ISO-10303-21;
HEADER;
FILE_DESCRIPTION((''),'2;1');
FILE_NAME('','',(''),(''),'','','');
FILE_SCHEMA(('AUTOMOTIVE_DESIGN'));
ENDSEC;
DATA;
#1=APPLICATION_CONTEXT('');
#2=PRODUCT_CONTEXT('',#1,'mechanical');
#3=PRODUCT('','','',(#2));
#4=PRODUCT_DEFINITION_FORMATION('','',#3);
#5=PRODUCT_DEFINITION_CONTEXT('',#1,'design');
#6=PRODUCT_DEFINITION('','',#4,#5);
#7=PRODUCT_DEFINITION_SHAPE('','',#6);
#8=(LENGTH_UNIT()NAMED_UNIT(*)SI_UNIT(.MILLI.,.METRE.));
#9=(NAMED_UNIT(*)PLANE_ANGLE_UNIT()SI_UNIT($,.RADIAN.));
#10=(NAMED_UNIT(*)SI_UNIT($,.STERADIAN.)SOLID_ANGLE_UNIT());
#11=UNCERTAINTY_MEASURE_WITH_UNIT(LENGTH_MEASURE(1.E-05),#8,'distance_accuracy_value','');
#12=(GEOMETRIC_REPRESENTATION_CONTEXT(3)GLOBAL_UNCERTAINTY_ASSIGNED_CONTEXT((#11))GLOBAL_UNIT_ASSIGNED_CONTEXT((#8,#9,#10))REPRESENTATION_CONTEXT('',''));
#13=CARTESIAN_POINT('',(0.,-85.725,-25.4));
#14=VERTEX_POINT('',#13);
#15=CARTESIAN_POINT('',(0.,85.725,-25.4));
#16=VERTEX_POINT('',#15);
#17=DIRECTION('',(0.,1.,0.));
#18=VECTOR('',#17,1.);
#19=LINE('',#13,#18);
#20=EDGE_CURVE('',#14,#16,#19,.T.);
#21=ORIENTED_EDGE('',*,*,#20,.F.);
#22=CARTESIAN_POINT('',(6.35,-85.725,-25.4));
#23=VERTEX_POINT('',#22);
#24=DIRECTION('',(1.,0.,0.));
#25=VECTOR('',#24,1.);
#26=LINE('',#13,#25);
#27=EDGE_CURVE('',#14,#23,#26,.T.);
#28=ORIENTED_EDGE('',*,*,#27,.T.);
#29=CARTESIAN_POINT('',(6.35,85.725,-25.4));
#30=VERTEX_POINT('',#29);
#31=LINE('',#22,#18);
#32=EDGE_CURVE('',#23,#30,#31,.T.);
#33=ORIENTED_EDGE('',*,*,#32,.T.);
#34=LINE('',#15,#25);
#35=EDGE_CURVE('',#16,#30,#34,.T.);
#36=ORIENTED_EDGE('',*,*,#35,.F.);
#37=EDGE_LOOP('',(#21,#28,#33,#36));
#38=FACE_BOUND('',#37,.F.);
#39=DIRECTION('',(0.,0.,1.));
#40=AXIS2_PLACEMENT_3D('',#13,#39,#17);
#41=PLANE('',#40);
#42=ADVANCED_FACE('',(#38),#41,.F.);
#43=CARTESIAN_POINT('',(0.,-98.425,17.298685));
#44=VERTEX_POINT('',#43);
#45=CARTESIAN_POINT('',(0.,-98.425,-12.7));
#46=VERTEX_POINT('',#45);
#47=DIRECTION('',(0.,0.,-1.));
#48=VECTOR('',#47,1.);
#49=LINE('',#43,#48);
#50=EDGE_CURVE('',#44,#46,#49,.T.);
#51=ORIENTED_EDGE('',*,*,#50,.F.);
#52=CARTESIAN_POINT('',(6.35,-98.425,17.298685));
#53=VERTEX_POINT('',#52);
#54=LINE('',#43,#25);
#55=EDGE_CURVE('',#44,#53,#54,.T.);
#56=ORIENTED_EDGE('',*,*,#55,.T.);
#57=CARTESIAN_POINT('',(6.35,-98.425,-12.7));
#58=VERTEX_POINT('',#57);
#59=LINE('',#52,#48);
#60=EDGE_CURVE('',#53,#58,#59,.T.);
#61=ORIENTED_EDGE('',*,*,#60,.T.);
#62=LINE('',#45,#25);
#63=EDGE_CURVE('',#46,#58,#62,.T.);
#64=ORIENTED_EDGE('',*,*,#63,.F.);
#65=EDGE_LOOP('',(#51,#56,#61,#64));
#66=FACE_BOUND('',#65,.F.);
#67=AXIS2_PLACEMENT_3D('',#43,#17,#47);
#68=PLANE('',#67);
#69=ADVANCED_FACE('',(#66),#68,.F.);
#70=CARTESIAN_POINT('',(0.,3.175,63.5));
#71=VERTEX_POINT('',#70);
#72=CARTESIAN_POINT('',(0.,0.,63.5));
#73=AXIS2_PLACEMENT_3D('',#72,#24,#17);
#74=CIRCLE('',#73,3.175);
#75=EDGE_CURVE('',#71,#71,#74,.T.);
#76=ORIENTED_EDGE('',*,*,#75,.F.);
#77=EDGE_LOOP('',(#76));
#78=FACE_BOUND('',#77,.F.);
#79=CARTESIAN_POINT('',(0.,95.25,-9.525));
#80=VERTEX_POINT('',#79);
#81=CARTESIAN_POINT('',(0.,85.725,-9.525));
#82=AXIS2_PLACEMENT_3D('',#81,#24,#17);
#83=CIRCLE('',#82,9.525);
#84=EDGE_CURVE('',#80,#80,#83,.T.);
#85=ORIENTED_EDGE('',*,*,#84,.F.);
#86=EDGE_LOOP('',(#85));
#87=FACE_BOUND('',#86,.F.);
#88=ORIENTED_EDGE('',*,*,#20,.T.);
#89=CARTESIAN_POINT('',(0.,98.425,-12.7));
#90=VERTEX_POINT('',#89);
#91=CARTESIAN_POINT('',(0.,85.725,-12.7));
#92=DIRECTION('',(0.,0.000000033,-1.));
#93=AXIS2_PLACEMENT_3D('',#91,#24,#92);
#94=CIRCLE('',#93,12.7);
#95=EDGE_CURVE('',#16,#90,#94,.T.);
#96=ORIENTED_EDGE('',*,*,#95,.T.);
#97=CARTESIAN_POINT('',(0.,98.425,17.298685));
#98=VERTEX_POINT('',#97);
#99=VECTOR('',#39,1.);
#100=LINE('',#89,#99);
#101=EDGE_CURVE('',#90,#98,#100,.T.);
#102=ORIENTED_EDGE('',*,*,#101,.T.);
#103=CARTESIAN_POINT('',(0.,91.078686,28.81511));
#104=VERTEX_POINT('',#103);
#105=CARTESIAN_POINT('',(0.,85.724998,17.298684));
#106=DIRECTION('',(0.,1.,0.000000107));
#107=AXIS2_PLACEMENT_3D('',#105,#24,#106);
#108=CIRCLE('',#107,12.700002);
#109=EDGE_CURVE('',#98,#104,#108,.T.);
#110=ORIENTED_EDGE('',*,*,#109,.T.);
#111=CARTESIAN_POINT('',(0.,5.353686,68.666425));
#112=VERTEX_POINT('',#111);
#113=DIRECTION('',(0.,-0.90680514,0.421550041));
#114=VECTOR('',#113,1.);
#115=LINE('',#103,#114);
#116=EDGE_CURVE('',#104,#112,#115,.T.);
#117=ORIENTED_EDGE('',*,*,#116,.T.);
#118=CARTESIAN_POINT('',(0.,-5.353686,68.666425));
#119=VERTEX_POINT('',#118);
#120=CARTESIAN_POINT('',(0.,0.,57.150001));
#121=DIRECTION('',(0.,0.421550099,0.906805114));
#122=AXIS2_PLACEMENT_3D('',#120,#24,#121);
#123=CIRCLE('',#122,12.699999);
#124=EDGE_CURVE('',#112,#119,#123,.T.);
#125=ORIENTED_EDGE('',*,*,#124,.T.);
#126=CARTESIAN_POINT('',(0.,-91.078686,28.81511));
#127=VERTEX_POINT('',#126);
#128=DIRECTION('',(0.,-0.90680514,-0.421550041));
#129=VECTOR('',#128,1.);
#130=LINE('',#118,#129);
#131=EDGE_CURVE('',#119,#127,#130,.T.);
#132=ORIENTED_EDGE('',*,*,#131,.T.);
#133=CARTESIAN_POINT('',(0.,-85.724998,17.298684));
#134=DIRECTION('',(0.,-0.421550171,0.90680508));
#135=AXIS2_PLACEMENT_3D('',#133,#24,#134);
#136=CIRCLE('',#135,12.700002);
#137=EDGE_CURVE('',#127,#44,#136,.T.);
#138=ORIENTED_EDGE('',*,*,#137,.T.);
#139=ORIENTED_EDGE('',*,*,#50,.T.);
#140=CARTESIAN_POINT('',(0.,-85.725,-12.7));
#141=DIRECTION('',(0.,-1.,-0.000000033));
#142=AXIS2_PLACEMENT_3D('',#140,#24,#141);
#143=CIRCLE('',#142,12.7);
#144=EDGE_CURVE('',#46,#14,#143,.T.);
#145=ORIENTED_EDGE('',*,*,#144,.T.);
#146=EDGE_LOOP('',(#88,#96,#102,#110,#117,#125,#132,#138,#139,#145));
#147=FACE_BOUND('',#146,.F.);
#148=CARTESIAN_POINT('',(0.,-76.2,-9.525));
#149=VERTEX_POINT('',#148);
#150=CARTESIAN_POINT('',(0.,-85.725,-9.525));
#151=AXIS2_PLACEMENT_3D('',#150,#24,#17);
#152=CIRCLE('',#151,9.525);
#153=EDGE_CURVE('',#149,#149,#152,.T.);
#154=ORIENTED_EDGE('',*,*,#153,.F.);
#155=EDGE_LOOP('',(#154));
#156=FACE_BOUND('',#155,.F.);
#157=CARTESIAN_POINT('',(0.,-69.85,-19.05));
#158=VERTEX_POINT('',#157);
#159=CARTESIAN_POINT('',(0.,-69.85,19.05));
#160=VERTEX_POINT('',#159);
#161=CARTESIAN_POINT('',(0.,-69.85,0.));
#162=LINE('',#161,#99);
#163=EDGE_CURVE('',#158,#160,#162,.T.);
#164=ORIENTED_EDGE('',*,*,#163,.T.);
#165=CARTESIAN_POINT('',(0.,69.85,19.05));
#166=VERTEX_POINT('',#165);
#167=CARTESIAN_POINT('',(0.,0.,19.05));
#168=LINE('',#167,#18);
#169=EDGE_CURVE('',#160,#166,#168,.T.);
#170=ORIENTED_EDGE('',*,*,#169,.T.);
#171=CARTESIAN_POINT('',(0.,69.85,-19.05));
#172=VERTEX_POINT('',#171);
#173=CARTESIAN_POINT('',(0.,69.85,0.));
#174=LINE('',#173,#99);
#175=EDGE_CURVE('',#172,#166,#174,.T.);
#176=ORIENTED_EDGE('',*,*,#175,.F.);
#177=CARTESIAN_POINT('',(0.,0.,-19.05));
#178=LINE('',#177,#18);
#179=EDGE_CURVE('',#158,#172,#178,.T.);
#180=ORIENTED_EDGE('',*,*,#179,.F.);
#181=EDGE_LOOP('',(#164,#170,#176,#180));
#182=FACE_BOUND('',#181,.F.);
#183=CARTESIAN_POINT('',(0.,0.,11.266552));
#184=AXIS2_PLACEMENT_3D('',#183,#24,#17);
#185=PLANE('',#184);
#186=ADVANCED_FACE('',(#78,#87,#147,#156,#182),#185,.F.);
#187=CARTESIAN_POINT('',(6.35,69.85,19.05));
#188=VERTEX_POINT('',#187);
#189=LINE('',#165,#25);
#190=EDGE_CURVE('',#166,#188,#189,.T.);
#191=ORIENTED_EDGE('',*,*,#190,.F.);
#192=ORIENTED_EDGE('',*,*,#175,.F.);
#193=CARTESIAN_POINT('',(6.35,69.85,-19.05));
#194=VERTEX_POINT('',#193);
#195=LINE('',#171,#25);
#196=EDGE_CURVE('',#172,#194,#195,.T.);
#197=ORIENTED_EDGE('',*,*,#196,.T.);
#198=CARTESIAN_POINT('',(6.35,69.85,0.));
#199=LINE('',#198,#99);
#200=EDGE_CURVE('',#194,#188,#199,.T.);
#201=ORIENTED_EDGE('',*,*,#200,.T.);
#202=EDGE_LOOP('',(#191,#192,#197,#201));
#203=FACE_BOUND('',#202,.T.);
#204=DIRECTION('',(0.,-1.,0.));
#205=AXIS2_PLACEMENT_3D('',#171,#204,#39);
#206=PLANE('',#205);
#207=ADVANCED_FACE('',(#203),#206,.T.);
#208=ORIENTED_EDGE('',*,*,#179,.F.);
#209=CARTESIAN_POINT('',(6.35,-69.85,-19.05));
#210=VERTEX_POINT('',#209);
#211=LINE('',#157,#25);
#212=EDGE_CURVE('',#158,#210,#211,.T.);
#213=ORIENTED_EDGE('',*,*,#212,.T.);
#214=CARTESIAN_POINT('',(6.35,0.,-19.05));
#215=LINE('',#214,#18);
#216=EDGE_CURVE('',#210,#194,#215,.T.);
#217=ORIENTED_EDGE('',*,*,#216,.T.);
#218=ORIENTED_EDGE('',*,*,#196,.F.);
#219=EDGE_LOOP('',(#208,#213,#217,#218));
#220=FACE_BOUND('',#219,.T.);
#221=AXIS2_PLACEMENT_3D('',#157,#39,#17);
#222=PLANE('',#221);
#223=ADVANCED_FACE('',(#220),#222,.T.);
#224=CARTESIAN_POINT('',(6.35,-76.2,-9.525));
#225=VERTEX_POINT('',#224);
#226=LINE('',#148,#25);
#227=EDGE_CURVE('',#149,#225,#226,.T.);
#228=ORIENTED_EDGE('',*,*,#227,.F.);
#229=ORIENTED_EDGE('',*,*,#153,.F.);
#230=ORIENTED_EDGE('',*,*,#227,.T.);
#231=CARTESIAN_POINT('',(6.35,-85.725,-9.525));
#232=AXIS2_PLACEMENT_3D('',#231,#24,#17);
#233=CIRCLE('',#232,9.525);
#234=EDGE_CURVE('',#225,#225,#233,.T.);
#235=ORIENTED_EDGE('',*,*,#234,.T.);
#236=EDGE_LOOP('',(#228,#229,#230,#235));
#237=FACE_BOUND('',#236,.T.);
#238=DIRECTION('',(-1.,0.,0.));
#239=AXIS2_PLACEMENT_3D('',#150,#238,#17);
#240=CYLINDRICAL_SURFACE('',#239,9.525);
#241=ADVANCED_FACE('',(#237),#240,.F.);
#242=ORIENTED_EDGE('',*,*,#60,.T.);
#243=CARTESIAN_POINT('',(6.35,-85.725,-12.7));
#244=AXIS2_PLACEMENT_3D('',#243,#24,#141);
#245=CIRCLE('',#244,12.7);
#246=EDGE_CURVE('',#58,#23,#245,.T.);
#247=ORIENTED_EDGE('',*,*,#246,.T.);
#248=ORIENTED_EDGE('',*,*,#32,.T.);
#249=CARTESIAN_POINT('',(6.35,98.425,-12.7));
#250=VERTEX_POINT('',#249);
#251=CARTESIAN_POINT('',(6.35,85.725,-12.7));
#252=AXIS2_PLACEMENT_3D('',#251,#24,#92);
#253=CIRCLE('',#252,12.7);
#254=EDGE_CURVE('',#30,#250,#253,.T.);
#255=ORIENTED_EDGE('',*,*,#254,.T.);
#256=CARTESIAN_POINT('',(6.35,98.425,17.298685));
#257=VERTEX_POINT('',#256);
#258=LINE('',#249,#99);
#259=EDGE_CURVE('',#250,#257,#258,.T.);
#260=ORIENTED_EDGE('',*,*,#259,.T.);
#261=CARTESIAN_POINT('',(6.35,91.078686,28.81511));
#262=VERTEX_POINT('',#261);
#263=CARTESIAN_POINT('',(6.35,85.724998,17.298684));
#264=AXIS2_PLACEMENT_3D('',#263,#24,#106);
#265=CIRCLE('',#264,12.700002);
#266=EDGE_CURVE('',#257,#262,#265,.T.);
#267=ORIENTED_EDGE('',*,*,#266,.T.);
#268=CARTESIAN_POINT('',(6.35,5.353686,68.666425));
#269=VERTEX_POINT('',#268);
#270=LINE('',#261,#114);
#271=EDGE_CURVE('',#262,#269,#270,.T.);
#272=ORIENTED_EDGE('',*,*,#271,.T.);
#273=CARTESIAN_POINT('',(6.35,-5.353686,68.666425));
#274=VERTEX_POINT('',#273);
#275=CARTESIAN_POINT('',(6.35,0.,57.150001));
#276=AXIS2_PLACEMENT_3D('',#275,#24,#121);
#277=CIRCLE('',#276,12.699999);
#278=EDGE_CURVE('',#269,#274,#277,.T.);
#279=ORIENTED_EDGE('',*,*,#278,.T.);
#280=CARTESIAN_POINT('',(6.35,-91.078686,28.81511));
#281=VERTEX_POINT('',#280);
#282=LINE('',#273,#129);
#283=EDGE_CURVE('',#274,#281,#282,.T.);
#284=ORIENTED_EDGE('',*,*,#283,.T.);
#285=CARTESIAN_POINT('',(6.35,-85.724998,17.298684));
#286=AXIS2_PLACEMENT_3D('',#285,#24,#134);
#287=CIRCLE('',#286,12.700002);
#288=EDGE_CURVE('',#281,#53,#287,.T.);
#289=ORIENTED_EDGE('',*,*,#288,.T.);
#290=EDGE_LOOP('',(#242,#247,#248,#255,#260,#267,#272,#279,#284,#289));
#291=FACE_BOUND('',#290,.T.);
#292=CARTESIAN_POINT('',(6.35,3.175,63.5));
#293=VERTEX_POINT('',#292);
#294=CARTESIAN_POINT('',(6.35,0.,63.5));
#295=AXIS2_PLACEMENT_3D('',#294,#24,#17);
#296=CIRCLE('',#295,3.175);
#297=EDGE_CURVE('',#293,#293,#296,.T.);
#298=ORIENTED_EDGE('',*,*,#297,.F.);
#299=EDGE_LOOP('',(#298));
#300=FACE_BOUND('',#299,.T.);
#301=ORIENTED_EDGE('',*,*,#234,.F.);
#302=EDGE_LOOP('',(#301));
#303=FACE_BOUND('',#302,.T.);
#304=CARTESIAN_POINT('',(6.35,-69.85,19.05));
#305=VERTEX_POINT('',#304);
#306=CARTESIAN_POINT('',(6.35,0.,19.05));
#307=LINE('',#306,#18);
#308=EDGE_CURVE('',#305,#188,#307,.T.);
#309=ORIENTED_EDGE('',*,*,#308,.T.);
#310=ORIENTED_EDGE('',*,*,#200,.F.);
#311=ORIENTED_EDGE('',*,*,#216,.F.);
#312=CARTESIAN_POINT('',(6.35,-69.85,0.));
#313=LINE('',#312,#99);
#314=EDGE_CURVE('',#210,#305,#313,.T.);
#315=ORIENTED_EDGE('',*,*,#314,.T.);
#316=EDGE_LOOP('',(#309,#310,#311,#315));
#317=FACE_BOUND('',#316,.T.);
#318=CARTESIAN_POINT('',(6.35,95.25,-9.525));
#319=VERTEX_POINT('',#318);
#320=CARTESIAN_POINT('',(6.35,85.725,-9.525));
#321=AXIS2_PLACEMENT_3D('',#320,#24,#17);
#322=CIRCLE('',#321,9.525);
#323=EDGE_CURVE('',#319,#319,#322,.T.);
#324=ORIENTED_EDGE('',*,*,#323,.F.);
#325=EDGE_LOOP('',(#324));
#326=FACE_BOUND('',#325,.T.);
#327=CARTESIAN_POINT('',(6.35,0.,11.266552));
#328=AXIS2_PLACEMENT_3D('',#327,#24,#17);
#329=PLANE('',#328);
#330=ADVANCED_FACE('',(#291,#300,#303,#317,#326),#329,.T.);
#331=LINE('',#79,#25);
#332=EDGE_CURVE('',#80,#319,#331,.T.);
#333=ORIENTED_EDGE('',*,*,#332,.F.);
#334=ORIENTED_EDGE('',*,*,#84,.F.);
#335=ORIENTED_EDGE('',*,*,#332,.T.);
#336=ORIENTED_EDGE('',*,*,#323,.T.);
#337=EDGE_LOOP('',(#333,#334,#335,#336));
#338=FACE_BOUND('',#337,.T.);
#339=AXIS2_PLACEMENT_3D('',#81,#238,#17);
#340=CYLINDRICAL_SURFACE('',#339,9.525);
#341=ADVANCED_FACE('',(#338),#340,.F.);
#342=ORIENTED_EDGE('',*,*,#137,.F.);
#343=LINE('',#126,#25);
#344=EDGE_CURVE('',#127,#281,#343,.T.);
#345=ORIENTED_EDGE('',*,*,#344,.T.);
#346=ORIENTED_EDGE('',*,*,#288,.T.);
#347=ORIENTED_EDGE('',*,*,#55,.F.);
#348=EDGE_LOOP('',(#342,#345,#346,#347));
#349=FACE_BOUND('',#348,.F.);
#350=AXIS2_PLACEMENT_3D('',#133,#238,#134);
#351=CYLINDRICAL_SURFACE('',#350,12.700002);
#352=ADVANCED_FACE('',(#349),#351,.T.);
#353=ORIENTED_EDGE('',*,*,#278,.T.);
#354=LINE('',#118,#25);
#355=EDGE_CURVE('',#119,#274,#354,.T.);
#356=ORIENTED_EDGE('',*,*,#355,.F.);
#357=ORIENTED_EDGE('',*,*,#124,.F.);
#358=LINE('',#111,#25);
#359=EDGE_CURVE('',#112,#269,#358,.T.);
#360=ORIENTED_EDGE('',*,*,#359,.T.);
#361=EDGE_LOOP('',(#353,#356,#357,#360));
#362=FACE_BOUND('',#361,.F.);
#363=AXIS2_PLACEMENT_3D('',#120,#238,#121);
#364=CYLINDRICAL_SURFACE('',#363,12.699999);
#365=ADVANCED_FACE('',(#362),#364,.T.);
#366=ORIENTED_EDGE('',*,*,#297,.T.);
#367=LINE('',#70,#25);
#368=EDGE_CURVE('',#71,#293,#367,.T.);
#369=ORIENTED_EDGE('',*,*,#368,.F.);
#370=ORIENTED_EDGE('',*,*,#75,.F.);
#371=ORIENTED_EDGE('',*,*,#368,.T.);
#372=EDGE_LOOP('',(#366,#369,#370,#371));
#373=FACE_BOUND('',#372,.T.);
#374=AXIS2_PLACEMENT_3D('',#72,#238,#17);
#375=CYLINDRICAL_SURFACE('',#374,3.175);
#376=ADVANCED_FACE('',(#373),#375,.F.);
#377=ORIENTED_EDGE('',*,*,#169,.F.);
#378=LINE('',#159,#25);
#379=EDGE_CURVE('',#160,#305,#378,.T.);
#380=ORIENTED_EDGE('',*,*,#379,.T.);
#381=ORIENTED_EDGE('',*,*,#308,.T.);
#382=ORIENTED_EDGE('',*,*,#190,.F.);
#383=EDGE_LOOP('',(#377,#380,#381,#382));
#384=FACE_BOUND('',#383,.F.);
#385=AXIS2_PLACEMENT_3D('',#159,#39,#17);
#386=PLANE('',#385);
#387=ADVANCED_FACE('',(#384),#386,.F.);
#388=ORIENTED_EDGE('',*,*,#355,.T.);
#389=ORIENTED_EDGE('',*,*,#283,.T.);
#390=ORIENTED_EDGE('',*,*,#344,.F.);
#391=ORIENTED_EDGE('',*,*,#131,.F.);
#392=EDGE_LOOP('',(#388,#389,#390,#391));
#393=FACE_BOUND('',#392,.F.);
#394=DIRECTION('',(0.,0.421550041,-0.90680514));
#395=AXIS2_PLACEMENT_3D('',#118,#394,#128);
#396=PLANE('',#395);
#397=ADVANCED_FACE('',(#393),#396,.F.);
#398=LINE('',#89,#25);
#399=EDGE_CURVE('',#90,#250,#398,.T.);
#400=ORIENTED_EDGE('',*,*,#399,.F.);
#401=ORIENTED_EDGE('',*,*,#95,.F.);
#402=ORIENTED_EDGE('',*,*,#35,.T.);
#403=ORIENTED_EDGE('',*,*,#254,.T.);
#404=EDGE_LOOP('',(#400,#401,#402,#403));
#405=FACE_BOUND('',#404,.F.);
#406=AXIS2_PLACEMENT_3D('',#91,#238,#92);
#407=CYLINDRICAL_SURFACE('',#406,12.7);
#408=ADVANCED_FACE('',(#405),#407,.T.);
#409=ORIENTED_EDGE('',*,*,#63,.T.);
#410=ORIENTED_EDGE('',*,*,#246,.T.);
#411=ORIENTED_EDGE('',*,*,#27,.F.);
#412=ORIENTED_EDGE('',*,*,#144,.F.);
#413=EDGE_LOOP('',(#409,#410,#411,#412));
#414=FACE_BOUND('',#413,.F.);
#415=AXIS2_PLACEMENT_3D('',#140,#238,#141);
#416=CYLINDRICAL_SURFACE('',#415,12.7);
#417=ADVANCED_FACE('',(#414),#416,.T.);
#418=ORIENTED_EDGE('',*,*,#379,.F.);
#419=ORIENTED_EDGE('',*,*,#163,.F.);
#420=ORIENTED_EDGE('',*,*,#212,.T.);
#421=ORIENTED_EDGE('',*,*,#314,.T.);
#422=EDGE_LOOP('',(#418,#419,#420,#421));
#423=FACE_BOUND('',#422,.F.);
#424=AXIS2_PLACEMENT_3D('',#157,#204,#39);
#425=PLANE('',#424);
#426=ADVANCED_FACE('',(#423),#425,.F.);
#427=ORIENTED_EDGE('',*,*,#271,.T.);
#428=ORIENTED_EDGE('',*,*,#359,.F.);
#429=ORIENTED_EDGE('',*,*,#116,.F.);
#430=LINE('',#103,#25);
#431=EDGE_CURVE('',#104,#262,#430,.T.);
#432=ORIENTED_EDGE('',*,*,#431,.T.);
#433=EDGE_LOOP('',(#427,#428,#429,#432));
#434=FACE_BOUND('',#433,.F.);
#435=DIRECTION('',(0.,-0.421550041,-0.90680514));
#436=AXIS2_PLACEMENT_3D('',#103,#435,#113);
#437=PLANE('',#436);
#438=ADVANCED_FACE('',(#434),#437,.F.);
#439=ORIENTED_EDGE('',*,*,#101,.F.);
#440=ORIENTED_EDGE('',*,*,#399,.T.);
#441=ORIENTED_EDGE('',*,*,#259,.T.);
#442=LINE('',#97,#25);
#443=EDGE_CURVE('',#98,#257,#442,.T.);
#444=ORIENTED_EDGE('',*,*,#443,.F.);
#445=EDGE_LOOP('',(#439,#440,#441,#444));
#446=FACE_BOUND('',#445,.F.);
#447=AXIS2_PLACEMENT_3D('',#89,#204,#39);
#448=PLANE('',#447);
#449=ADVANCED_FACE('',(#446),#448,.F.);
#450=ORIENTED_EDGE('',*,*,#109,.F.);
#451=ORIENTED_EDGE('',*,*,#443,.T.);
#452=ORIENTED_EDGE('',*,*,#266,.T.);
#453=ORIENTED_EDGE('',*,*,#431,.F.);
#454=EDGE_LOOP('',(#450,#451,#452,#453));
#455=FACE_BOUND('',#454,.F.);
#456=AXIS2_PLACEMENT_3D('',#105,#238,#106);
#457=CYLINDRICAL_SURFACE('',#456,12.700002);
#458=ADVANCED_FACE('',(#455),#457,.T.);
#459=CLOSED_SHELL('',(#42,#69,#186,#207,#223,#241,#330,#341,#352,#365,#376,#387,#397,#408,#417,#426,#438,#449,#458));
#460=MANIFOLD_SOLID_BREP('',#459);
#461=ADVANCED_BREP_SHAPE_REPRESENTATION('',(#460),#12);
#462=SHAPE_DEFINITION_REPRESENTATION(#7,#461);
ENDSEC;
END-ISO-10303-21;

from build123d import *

# Parameters (mm, degrees)
F0_R     = 9.525
F0_W     = 139.7
F0_H     = 38.1
F0_R_2   = 3.175
F1_DEPTH = 6.35


with BuildPart() as f1:
    # F0 (on Right) → F1 (new body)
    with BuildSketch(Plane.YZ):
        with BuildLine():
            Line((-85.725, -25.4), (85.725, -25.4))
            ThreePointArc((85.725, -25.4), (94.705256, -21.680256), (98.425, -12.7))
            Line((98.425, -12.7), (98.425, 17.298685))
            ThreePointArc((98.425, 17.298685), (96.432049, 24.128699), (91.078686, 28.81511))
            Line((91.078686, 28.81511), (5.353686, 68.666425))
            ThreePointArc((5.353686, 68.666425), (0, 69.85), (-5.353686, 68.666425))
            Line((-5.353686, 68.666425), (-91.078686, 28.81511))
            ThreePointArc((-91.078686, 28.81511), (-96.432049, 24.128699), (-98.425, 17.298685))
            Line((-98.425, 17.298685), (-98.425, -12.7))
            ThreePointArc((-98.425, -12.7), (-94.705256, -21.680256), (-85.725, -25.4))
        make_face()
        with Locations((-85.725, -9.525)):
            Circle(F0_R, mode=Mode.SUBTRACT)
        with Locations((85.725, -9.525)):
            Circle(F0_R, mode=Mode.SUBTRACT)
        Rectangle(F0_W, F0_H, mode=Mode.SUBTRACT)
        with Locations((0, 63.5)):
            Circle(F0_R_2, mode=Mode.SUBTRACT)
    extrude(amount=F1_DEPTH)


solid = f1.part
